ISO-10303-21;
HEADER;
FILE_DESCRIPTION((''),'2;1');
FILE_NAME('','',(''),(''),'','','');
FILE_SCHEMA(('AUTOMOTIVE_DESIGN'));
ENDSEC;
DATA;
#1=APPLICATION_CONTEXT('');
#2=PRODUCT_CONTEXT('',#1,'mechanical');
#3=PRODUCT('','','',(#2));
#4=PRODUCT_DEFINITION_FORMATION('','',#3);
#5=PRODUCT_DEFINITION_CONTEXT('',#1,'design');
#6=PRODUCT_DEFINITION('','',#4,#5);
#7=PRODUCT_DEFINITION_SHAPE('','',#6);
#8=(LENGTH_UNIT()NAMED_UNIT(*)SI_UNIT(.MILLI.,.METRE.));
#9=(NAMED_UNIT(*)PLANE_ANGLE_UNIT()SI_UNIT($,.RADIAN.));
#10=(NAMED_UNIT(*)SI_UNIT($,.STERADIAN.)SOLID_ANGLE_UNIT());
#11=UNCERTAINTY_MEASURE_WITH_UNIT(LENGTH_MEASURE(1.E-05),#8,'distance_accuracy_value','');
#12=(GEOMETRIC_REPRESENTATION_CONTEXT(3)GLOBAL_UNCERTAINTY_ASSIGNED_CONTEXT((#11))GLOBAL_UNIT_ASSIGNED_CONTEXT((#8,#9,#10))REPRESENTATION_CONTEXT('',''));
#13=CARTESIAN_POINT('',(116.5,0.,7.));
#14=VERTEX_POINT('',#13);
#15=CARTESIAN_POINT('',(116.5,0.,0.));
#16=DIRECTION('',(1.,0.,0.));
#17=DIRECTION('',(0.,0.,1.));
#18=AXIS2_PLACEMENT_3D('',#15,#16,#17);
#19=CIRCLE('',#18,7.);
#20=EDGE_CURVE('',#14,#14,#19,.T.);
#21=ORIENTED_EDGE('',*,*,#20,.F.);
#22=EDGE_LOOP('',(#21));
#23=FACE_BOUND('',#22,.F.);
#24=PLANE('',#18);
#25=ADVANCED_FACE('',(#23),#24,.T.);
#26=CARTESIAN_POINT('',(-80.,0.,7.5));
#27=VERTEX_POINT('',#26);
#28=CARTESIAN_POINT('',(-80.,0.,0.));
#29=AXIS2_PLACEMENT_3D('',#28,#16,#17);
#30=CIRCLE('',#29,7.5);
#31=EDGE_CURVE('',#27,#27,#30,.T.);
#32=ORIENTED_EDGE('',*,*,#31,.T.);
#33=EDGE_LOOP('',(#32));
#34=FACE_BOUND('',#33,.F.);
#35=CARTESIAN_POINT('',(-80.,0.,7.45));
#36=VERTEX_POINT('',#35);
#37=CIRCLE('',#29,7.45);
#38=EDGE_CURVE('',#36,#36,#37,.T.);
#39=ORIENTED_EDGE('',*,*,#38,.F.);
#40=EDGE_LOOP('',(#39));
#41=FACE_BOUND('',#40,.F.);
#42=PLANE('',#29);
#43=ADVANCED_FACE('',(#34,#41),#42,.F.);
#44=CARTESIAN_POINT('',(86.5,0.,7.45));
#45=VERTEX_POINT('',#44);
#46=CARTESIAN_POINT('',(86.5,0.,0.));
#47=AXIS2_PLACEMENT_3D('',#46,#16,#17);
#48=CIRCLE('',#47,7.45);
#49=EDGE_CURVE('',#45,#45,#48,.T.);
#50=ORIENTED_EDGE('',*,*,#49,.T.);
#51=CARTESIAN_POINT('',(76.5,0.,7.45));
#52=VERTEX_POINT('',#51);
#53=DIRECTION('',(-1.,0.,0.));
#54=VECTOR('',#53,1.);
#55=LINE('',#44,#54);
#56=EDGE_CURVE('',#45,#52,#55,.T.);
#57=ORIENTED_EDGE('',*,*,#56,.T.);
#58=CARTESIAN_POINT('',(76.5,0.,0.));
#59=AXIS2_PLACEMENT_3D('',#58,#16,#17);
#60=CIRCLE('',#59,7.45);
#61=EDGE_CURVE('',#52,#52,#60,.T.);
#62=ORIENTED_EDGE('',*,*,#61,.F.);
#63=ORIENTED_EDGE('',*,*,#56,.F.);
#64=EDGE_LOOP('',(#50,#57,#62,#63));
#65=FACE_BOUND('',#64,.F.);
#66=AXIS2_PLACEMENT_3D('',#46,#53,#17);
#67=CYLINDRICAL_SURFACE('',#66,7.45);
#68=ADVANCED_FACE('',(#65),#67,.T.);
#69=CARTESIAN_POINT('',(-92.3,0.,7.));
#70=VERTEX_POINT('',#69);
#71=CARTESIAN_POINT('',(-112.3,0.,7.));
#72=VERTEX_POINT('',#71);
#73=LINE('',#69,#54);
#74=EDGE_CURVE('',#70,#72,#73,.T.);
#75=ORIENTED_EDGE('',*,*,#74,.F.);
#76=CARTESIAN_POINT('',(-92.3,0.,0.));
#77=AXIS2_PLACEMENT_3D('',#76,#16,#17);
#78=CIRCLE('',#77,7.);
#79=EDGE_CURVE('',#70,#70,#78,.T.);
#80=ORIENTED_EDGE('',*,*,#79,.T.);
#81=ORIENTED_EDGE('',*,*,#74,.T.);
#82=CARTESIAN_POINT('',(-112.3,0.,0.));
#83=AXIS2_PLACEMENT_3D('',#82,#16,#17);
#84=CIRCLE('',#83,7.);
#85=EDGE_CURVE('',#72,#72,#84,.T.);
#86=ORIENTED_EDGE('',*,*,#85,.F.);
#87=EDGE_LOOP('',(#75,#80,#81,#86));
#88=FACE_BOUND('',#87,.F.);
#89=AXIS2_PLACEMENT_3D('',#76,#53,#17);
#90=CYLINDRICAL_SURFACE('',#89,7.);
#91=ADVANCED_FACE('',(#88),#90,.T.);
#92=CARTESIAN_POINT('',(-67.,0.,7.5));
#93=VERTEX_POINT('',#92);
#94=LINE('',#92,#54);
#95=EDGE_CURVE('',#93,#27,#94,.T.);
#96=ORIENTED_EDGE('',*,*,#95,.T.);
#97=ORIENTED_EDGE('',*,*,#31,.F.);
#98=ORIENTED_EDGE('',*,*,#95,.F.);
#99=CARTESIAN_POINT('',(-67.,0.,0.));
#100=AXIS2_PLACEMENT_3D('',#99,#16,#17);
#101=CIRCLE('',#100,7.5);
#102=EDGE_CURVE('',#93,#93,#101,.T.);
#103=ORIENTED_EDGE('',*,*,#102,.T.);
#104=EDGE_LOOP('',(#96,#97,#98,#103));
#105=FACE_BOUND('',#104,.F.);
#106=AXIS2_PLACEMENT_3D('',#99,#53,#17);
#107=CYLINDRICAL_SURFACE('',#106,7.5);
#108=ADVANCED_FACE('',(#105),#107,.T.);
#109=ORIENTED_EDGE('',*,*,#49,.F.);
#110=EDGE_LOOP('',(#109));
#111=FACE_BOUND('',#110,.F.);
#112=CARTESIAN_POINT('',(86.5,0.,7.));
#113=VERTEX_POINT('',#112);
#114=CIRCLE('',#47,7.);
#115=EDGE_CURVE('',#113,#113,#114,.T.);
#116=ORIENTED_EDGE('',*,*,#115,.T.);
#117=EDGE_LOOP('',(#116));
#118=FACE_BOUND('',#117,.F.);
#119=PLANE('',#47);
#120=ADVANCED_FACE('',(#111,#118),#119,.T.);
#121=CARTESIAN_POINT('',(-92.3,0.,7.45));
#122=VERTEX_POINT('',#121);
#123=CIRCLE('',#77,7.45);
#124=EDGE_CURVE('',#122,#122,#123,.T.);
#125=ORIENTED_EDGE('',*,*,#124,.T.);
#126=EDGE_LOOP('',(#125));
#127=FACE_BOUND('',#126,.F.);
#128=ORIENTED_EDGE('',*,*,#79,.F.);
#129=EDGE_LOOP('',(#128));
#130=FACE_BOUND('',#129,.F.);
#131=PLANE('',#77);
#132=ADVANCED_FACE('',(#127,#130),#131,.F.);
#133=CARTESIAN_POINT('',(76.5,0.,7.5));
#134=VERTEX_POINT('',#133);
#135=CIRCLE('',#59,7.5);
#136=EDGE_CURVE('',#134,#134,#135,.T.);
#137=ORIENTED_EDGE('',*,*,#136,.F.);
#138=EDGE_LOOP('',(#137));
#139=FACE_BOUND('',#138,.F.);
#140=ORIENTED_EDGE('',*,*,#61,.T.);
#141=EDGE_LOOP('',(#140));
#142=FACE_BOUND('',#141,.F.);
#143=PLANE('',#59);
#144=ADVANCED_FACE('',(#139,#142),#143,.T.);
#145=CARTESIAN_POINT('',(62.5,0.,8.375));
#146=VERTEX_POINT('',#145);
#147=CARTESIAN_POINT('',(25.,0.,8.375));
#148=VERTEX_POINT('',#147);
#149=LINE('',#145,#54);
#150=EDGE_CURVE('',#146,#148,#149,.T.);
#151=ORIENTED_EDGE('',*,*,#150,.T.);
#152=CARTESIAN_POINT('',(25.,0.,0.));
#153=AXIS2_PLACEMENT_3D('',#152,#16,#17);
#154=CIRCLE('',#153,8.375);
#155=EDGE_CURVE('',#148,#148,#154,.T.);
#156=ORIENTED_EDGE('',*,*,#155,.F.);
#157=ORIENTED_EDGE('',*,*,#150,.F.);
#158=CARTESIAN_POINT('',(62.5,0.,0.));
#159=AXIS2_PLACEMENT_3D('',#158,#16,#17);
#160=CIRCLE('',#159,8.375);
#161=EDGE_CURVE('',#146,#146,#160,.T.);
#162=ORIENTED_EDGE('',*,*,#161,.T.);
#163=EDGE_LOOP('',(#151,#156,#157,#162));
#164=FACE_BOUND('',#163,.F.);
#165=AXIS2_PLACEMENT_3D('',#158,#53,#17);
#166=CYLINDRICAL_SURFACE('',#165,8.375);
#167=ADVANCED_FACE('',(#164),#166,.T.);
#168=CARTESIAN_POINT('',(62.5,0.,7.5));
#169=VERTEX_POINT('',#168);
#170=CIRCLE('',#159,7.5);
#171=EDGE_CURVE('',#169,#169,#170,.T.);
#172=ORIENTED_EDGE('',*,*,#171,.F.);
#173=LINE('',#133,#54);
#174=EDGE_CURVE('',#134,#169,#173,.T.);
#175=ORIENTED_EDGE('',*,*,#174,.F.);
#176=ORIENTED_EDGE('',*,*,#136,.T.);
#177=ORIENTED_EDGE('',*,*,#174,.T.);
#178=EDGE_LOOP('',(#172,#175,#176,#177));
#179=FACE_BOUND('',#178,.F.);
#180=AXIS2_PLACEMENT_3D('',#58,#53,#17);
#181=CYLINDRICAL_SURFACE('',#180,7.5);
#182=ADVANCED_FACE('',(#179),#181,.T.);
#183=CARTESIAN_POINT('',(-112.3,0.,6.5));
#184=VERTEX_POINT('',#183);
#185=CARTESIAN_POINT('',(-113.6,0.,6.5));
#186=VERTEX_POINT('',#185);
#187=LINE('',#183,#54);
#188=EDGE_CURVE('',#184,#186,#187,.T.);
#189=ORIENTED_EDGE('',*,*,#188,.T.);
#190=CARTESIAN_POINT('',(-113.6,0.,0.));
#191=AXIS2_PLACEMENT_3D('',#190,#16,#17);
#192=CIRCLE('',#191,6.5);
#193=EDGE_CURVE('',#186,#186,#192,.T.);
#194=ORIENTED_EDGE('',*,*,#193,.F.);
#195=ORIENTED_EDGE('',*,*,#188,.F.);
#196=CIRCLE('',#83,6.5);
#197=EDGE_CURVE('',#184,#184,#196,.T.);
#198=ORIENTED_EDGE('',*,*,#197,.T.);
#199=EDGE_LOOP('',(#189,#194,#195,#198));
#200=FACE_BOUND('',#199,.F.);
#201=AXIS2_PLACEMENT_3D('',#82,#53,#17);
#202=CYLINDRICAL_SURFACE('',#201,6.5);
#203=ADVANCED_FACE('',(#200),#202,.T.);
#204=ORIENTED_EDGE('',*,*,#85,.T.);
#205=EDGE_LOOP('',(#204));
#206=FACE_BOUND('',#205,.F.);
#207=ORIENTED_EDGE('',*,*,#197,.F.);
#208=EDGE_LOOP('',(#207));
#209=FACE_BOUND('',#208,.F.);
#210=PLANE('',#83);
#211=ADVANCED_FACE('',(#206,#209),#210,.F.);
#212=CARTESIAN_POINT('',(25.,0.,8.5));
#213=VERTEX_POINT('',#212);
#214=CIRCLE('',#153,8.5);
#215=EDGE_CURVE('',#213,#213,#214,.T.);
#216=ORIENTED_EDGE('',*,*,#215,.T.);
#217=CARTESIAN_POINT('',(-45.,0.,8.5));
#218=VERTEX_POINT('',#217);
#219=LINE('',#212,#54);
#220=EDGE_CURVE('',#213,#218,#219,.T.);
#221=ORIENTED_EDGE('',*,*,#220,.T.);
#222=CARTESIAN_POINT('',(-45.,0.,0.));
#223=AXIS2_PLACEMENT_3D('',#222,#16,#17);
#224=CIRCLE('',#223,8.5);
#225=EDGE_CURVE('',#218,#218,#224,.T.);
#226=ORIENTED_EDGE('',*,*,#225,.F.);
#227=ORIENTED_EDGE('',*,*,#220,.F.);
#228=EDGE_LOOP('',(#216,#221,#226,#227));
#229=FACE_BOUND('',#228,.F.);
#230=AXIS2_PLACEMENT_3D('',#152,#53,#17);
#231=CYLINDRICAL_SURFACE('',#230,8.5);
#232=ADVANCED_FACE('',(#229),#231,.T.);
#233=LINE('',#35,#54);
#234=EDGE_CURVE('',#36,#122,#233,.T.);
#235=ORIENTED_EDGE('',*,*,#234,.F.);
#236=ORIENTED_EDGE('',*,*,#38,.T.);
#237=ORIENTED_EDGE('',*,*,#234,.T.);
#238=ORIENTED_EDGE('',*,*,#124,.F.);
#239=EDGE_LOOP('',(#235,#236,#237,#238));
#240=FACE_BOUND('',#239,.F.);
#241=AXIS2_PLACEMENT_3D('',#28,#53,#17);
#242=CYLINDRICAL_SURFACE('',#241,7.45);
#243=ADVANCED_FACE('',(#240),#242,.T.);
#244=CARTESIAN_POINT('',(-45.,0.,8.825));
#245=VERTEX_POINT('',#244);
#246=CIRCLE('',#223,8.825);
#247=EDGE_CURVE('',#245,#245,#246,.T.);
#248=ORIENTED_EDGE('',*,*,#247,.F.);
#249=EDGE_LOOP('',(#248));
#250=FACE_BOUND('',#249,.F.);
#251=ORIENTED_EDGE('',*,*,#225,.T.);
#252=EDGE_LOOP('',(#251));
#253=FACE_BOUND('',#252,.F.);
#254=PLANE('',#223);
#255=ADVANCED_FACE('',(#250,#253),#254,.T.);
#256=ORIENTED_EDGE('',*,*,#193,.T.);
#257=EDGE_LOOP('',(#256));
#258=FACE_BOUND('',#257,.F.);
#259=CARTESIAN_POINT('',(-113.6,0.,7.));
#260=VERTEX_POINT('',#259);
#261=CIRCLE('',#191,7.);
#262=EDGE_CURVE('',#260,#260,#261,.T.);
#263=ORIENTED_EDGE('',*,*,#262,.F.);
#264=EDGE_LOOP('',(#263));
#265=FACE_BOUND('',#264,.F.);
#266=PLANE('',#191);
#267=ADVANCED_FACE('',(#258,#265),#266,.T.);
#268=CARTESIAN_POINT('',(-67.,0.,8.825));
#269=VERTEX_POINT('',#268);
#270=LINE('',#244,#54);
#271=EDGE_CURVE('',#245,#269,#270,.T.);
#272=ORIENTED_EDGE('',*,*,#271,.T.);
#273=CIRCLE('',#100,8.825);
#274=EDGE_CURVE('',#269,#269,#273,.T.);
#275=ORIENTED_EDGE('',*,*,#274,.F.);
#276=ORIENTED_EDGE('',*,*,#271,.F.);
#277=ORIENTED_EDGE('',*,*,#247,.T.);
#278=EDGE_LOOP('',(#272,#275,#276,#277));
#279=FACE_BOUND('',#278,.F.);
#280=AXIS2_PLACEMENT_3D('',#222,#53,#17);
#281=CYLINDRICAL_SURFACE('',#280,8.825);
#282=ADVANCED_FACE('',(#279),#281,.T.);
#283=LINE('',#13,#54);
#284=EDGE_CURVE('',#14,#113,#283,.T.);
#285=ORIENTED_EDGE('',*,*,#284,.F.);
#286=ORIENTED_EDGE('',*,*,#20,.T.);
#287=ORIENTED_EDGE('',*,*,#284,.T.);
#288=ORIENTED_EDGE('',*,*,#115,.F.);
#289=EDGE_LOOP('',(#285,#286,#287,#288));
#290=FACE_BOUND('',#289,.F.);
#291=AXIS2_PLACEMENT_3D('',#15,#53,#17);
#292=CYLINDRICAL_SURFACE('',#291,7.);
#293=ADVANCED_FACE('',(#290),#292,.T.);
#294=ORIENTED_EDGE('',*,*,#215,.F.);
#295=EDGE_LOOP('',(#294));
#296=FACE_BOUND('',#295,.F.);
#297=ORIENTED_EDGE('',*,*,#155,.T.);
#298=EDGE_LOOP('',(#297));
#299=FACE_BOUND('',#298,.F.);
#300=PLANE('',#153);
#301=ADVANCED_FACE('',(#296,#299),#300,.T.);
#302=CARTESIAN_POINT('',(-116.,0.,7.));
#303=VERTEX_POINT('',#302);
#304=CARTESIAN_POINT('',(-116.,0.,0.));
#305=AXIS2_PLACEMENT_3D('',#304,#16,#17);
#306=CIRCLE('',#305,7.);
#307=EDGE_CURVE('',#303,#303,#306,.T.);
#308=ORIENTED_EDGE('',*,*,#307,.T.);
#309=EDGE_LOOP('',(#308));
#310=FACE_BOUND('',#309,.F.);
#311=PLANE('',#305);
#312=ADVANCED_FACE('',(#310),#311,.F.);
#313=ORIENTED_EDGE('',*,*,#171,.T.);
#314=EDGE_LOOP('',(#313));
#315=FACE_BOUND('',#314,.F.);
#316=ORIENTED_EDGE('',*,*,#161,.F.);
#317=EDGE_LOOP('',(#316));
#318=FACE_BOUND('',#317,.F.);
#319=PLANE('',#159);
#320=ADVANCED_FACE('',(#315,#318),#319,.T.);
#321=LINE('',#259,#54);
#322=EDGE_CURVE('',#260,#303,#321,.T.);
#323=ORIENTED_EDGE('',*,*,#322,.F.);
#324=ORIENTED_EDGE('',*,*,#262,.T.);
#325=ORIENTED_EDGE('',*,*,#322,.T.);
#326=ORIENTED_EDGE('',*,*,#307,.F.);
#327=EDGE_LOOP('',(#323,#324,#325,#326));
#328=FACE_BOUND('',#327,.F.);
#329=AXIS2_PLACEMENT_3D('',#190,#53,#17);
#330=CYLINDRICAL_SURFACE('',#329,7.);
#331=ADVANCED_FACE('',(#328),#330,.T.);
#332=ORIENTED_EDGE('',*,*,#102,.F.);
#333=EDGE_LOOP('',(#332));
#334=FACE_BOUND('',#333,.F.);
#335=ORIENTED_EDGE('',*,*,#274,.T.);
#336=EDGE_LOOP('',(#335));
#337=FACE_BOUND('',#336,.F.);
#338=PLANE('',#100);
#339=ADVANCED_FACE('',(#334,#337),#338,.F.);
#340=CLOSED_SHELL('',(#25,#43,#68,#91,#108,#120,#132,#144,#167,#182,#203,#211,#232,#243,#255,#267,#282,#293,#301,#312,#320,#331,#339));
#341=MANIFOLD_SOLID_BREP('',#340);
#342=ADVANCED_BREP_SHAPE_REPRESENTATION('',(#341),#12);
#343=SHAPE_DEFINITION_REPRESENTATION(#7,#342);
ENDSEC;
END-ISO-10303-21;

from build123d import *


with BuildPart() as f1:
    # F0 (on Front) → F1 (revolve)
    with BuildSketch(Plane.XZ):
        Polygon((-116, 7), (-116, 0), (116.5, 0), (116.5, 7), (86.5, 7), (86.5, 7.45), (76.5, 7.45), (76.5, 7.5), (62.5, 7.5), (62.5, 8.375), (25, 8.375), (25, 8.5), (-45, 8.5), (-45, 8.825), (-67, 8.825), (-67, 7.5), (-80, 7.5), (-80, 7.45), (-92.3, 7.45), (-92.3, 7), (-112.3, 7), (-112.3, 6.5), (-113.6, 6.5), (-113.6, 7), align=None)
    revolve(axis=Axis((0, 0, 0), (1, 0, 0)))


solid = f1.part
